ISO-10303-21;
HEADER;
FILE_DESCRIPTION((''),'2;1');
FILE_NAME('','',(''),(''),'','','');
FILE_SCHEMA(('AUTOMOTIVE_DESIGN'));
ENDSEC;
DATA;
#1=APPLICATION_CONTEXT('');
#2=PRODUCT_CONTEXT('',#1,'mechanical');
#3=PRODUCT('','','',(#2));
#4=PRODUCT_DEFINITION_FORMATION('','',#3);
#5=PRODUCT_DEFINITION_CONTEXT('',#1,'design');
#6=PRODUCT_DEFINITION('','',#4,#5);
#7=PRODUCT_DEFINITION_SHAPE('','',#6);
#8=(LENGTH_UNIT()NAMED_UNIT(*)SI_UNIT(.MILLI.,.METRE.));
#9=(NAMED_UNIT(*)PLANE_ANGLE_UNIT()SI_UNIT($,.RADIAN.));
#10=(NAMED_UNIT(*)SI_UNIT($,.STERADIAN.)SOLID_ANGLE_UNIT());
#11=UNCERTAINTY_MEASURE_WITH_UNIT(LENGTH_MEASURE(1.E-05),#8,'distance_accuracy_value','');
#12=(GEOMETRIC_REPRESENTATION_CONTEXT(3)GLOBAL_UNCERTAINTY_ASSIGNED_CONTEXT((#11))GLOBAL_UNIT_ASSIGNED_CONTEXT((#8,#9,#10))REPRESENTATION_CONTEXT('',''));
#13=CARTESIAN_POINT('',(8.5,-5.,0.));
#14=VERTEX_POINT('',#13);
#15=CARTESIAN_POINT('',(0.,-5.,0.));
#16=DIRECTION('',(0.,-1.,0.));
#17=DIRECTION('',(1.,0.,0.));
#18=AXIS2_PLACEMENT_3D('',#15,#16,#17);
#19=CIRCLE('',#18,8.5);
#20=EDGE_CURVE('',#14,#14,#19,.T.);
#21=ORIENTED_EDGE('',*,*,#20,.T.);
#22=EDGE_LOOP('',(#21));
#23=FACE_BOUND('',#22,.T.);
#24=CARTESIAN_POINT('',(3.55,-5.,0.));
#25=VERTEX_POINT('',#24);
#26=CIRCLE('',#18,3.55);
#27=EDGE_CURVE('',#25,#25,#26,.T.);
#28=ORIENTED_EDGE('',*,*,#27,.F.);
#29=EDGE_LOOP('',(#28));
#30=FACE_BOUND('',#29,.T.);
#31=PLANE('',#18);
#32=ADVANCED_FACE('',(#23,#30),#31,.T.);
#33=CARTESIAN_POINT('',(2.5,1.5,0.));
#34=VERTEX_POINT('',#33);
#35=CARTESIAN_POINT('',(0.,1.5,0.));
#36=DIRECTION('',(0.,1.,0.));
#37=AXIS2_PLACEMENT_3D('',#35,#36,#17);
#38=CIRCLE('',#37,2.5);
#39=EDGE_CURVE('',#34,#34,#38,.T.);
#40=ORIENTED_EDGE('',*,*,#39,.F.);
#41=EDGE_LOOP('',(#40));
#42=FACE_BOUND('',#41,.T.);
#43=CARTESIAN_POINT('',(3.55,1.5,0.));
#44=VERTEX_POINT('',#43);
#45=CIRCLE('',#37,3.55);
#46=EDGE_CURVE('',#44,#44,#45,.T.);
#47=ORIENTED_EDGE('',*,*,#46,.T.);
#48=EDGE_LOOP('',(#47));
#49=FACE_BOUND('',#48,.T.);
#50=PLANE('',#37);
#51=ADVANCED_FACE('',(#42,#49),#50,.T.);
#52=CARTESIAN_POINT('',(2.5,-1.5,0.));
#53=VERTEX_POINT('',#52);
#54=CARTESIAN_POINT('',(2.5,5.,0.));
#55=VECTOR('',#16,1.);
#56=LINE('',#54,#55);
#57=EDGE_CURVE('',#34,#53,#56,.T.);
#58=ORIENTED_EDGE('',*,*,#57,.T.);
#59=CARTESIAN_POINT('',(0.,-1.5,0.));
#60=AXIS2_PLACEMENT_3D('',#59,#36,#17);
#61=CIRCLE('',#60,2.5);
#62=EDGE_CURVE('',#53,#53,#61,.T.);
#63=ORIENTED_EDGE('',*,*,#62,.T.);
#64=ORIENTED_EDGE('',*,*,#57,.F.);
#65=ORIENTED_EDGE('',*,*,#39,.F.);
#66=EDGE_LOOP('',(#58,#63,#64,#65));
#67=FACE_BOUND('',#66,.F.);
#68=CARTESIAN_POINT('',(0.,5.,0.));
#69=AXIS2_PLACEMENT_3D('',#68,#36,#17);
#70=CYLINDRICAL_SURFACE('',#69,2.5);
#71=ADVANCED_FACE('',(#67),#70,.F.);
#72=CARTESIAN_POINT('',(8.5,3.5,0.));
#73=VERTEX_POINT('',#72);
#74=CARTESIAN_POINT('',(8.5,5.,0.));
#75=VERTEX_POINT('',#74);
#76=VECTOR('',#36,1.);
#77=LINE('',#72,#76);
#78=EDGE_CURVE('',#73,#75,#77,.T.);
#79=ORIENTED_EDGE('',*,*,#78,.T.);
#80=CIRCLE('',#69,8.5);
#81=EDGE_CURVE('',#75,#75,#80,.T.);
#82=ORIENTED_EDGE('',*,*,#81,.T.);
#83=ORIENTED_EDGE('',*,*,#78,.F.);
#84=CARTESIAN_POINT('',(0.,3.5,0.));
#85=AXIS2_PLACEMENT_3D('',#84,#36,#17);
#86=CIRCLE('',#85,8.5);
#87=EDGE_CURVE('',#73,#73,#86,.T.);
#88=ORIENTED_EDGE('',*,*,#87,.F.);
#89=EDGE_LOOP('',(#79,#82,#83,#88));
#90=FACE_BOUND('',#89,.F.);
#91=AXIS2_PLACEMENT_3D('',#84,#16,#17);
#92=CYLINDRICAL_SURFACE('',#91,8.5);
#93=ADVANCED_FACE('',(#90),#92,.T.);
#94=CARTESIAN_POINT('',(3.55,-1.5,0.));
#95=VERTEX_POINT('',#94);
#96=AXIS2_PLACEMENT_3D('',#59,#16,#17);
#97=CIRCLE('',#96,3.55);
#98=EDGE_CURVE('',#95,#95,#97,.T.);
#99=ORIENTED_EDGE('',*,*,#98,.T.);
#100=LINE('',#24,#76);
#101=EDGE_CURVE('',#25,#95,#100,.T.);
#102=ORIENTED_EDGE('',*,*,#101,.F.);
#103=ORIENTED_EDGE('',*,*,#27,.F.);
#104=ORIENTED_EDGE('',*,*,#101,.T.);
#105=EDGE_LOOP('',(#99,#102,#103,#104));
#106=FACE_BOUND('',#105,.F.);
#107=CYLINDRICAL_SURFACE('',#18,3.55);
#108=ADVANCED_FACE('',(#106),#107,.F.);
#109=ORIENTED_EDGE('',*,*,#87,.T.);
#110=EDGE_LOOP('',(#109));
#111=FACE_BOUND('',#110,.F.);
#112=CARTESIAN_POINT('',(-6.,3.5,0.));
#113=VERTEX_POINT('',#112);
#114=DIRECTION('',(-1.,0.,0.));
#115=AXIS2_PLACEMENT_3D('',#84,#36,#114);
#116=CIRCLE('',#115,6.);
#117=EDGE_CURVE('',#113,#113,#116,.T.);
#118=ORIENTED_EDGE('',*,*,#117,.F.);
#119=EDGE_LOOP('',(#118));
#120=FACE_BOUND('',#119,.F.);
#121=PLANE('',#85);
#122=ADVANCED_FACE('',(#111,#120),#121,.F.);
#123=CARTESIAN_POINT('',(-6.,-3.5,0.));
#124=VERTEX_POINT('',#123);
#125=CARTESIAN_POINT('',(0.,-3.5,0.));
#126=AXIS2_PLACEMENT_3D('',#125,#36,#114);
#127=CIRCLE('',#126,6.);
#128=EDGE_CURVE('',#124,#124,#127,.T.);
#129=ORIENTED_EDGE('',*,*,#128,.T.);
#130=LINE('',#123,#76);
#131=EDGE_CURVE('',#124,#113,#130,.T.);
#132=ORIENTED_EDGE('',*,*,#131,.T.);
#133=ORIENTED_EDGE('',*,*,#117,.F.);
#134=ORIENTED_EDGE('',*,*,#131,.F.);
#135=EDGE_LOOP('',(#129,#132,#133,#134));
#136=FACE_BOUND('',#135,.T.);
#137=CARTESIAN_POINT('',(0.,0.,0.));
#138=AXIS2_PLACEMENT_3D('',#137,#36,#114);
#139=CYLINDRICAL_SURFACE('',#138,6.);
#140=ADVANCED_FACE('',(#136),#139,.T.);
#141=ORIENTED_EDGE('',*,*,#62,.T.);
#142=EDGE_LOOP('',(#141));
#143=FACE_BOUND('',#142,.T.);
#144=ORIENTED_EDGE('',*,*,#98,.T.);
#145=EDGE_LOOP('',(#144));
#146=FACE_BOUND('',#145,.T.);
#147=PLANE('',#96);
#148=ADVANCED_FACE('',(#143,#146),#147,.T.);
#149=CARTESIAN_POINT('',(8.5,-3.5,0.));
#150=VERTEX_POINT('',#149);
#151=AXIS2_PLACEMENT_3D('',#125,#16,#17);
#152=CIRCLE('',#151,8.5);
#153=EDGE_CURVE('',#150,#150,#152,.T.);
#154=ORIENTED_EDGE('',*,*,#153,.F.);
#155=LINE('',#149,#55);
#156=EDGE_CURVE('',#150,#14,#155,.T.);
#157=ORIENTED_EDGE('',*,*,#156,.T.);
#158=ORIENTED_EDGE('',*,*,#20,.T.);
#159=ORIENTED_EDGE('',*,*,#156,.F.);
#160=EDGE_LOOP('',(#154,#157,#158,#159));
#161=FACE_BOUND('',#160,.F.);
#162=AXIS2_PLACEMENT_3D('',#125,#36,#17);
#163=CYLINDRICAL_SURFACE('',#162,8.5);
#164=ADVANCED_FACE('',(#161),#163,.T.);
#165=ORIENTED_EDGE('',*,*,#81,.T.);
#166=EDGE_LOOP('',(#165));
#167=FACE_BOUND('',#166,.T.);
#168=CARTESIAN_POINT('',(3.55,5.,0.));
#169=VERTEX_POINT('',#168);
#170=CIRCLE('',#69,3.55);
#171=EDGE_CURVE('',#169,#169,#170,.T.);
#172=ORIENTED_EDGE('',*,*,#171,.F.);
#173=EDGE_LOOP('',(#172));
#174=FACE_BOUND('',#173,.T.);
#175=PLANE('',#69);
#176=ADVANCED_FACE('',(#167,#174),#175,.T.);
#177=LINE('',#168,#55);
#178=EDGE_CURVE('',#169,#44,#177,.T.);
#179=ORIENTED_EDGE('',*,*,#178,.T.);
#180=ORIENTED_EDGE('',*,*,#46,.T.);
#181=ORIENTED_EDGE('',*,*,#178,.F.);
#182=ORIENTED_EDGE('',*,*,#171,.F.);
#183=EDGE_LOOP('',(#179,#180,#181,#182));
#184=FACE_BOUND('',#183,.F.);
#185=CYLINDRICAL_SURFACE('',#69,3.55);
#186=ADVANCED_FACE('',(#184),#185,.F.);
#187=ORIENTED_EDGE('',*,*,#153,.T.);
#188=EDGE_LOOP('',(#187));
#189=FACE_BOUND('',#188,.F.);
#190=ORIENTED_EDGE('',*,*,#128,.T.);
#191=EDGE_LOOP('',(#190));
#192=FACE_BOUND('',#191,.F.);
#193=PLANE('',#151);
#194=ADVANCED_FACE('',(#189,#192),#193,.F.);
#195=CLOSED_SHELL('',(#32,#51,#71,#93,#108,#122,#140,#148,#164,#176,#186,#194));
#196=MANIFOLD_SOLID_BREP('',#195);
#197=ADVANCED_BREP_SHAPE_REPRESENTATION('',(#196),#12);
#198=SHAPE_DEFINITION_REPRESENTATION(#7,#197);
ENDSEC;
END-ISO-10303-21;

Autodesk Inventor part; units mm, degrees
ref_plane "YZ Plane" through (0, 0, 0) normal (1, 0, 0) x (0, 1, 0)
ref_plane "XZ Plane" through (0, 0, 0) normal (0, 1, 0) x (-1, 0, 0)
ref_plane "XY Plane" through (0, 0, 0) normal (0, 0, 1) x (1, 0, 0)
sketch "Sketch1" plane through (0, 0, 0) normal (0, 1, 0) x (-1, 0, 0)
  circle A0 centre (0, 0) radius 6
  dimension "d0" = 12
extrude "Extrusion1" add sketch "Sketch1" along normal mid plane 7
sketch "Sketch2" plane through (0, 3.5, 0) normal (0, 1, 0) x (1, 0, 0)
  circle A0 centre (0, 0) radius 8.5
  dimension "d3" = 17
extrude "Extrusion2" add sketch "Sketch2" along normal blind 1.5
sketch "Sketch3" plane through (0, -3.5, 0) normal (0, -1, 0) x (1, 0, 0)
  circle A0 centre (0, 0) radius 8.5
  dimension "d8" = 17
extrude "Extrusion3" add sketch "Sketch3" along normal blind 1.5
sketch "Sketch4" plane through (0, 5, 0) normal (0, 1, 0) x (1, 0, 0)
  circle A0 centre (0, 0) radius 2.5
  dimension "d9" = 5
extrude "Extrusion4" cut sketch "Sketch4" against normal up to next
sketch "Sketch8" plane through (0, 5, 0) normal (0, 1, 0) x (1, 0, 0)
  circle A0 centre (0, 0) radius 3.55
  dimension "d12" = 7.1
extrude "Extrusion5" cut sketch "Sketch8" against normal blind 3.5
sketch "Sketch9" plane through (0, -5, 0) normal (0, -1, 0) x (1, 0, 0)
  circle A0 centre (0, 0) radius 3.55
  dimension "d15" = 7.1
extrude "Extrusion6" cut sketch "Sketch9" against normal blind 3.5
properties part number "Катушка" material "Polypropylene"
